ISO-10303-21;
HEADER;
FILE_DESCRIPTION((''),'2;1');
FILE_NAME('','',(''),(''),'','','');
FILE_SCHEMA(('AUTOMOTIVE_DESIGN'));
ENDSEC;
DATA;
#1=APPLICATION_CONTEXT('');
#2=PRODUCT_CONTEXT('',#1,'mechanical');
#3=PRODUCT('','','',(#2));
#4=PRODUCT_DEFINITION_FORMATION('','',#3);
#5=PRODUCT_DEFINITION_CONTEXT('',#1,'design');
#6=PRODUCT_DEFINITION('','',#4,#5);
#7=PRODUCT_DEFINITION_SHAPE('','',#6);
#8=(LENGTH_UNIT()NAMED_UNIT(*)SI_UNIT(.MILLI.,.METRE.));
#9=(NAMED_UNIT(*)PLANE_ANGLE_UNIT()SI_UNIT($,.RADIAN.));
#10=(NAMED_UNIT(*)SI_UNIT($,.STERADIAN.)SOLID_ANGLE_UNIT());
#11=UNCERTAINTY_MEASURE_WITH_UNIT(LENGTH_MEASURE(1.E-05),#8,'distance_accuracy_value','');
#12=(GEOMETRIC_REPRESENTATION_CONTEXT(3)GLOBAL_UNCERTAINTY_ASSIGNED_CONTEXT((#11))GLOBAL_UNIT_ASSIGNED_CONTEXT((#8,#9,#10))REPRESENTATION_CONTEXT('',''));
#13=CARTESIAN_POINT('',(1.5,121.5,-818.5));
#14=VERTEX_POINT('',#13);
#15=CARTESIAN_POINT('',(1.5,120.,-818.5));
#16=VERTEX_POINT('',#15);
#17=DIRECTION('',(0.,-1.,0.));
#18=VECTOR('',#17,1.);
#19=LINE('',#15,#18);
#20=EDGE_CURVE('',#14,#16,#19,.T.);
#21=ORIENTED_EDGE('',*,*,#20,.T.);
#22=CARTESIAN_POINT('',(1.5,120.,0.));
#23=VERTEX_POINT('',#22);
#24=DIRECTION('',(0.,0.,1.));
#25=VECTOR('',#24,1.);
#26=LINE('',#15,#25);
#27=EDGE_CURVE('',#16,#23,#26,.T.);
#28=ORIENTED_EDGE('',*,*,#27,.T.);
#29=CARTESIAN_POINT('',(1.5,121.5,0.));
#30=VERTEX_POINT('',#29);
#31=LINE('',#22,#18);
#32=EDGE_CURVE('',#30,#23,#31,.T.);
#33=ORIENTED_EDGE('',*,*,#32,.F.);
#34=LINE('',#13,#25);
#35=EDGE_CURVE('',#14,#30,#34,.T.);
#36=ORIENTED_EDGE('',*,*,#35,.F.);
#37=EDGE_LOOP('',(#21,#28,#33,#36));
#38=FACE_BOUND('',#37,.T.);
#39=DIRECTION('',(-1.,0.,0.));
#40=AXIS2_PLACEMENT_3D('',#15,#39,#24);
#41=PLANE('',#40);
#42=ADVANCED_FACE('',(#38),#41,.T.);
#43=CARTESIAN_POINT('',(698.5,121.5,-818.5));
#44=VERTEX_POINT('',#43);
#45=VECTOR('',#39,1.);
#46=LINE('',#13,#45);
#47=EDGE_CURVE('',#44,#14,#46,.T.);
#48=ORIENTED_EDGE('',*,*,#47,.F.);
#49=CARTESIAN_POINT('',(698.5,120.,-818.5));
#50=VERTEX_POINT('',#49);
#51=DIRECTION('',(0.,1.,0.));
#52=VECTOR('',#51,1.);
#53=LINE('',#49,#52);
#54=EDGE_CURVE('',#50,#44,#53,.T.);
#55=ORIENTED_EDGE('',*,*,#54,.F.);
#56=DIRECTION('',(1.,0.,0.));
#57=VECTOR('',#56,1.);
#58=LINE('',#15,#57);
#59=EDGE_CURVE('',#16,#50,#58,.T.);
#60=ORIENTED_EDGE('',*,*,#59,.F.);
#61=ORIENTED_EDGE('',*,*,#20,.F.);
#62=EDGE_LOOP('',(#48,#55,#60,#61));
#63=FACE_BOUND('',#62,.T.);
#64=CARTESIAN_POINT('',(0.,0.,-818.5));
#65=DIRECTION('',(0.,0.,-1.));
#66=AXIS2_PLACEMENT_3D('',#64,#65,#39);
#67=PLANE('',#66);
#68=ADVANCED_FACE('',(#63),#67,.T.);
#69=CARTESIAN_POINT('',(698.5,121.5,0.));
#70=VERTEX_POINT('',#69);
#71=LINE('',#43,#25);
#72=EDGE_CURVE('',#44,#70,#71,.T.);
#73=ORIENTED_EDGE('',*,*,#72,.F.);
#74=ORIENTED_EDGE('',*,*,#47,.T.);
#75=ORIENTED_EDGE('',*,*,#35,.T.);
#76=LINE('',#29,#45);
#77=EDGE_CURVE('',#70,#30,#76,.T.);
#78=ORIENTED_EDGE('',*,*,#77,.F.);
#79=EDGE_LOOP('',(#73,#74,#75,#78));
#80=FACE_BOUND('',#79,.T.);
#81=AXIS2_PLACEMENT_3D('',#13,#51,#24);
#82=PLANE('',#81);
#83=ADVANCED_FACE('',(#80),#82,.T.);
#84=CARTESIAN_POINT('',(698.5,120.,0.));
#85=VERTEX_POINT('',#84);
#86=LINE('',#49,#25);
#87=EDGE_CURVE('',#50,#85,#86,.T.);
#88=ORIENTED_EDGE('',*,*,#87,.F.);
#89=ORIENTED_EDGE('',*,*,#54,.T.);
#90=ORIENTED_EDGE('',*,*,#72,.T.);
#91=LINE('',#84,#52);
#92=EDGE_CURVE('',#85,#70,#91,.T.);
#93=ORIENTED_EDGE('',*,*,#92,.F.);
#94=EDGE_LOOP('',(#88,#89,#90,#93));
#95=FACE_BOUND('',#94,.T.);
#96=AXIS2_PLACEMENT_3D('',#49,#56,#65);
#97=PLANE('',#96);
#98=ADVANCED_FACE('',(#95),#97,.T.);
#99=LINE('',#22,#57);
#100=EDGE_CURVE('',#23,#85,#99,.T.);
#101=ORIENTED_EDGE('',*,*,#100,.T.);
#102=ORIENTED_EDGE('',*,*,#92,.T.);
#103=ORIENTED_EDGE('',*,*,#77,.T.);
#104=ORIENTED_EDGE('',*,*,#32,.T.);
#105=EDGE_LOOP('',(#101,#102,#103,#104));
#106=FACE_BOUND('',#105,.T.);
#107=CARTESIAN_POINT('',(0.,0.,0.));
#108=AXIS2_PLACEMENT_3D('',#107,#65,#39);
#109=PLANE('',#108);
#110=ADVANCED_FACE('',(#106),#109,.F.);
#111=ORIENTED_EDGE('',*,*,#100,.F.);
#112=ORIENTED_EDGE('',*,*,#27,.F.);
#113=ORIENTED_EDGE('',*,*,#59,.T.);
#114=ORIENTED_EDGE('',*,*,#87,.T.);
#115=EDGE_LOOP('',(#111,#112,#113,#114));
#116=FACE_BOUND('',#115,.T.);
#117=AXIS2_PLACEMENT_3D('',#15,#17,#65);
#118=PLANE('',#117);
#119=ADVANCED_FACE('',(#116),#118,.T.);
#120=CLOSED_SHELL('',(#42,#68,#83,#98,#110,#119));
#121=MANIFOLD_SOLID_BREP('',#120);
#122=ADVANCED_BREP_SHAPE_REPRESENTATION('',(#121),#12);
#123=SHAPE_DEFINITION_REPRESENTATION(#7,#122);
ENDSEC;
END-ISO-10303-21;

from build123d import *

# Parameters (mm, degrees)
SKETCH1_W            = 697
SKETCH1_H            = 1.5
OVEN_DIS_ALT_1_DEPTH = 818.5


with BuildPart() as part:
    # Sketch1 → OVEN_dis_alt_1 (new body)
    with BuildSketch(Plane.XY):
        with Locations((350, 120.75)):
            Rectangle(SKETCH1_W, SKETCH1_H)
    extrude(amount=-OVEN_DIS_ALT_1_DEPTH)


solid = part.part
